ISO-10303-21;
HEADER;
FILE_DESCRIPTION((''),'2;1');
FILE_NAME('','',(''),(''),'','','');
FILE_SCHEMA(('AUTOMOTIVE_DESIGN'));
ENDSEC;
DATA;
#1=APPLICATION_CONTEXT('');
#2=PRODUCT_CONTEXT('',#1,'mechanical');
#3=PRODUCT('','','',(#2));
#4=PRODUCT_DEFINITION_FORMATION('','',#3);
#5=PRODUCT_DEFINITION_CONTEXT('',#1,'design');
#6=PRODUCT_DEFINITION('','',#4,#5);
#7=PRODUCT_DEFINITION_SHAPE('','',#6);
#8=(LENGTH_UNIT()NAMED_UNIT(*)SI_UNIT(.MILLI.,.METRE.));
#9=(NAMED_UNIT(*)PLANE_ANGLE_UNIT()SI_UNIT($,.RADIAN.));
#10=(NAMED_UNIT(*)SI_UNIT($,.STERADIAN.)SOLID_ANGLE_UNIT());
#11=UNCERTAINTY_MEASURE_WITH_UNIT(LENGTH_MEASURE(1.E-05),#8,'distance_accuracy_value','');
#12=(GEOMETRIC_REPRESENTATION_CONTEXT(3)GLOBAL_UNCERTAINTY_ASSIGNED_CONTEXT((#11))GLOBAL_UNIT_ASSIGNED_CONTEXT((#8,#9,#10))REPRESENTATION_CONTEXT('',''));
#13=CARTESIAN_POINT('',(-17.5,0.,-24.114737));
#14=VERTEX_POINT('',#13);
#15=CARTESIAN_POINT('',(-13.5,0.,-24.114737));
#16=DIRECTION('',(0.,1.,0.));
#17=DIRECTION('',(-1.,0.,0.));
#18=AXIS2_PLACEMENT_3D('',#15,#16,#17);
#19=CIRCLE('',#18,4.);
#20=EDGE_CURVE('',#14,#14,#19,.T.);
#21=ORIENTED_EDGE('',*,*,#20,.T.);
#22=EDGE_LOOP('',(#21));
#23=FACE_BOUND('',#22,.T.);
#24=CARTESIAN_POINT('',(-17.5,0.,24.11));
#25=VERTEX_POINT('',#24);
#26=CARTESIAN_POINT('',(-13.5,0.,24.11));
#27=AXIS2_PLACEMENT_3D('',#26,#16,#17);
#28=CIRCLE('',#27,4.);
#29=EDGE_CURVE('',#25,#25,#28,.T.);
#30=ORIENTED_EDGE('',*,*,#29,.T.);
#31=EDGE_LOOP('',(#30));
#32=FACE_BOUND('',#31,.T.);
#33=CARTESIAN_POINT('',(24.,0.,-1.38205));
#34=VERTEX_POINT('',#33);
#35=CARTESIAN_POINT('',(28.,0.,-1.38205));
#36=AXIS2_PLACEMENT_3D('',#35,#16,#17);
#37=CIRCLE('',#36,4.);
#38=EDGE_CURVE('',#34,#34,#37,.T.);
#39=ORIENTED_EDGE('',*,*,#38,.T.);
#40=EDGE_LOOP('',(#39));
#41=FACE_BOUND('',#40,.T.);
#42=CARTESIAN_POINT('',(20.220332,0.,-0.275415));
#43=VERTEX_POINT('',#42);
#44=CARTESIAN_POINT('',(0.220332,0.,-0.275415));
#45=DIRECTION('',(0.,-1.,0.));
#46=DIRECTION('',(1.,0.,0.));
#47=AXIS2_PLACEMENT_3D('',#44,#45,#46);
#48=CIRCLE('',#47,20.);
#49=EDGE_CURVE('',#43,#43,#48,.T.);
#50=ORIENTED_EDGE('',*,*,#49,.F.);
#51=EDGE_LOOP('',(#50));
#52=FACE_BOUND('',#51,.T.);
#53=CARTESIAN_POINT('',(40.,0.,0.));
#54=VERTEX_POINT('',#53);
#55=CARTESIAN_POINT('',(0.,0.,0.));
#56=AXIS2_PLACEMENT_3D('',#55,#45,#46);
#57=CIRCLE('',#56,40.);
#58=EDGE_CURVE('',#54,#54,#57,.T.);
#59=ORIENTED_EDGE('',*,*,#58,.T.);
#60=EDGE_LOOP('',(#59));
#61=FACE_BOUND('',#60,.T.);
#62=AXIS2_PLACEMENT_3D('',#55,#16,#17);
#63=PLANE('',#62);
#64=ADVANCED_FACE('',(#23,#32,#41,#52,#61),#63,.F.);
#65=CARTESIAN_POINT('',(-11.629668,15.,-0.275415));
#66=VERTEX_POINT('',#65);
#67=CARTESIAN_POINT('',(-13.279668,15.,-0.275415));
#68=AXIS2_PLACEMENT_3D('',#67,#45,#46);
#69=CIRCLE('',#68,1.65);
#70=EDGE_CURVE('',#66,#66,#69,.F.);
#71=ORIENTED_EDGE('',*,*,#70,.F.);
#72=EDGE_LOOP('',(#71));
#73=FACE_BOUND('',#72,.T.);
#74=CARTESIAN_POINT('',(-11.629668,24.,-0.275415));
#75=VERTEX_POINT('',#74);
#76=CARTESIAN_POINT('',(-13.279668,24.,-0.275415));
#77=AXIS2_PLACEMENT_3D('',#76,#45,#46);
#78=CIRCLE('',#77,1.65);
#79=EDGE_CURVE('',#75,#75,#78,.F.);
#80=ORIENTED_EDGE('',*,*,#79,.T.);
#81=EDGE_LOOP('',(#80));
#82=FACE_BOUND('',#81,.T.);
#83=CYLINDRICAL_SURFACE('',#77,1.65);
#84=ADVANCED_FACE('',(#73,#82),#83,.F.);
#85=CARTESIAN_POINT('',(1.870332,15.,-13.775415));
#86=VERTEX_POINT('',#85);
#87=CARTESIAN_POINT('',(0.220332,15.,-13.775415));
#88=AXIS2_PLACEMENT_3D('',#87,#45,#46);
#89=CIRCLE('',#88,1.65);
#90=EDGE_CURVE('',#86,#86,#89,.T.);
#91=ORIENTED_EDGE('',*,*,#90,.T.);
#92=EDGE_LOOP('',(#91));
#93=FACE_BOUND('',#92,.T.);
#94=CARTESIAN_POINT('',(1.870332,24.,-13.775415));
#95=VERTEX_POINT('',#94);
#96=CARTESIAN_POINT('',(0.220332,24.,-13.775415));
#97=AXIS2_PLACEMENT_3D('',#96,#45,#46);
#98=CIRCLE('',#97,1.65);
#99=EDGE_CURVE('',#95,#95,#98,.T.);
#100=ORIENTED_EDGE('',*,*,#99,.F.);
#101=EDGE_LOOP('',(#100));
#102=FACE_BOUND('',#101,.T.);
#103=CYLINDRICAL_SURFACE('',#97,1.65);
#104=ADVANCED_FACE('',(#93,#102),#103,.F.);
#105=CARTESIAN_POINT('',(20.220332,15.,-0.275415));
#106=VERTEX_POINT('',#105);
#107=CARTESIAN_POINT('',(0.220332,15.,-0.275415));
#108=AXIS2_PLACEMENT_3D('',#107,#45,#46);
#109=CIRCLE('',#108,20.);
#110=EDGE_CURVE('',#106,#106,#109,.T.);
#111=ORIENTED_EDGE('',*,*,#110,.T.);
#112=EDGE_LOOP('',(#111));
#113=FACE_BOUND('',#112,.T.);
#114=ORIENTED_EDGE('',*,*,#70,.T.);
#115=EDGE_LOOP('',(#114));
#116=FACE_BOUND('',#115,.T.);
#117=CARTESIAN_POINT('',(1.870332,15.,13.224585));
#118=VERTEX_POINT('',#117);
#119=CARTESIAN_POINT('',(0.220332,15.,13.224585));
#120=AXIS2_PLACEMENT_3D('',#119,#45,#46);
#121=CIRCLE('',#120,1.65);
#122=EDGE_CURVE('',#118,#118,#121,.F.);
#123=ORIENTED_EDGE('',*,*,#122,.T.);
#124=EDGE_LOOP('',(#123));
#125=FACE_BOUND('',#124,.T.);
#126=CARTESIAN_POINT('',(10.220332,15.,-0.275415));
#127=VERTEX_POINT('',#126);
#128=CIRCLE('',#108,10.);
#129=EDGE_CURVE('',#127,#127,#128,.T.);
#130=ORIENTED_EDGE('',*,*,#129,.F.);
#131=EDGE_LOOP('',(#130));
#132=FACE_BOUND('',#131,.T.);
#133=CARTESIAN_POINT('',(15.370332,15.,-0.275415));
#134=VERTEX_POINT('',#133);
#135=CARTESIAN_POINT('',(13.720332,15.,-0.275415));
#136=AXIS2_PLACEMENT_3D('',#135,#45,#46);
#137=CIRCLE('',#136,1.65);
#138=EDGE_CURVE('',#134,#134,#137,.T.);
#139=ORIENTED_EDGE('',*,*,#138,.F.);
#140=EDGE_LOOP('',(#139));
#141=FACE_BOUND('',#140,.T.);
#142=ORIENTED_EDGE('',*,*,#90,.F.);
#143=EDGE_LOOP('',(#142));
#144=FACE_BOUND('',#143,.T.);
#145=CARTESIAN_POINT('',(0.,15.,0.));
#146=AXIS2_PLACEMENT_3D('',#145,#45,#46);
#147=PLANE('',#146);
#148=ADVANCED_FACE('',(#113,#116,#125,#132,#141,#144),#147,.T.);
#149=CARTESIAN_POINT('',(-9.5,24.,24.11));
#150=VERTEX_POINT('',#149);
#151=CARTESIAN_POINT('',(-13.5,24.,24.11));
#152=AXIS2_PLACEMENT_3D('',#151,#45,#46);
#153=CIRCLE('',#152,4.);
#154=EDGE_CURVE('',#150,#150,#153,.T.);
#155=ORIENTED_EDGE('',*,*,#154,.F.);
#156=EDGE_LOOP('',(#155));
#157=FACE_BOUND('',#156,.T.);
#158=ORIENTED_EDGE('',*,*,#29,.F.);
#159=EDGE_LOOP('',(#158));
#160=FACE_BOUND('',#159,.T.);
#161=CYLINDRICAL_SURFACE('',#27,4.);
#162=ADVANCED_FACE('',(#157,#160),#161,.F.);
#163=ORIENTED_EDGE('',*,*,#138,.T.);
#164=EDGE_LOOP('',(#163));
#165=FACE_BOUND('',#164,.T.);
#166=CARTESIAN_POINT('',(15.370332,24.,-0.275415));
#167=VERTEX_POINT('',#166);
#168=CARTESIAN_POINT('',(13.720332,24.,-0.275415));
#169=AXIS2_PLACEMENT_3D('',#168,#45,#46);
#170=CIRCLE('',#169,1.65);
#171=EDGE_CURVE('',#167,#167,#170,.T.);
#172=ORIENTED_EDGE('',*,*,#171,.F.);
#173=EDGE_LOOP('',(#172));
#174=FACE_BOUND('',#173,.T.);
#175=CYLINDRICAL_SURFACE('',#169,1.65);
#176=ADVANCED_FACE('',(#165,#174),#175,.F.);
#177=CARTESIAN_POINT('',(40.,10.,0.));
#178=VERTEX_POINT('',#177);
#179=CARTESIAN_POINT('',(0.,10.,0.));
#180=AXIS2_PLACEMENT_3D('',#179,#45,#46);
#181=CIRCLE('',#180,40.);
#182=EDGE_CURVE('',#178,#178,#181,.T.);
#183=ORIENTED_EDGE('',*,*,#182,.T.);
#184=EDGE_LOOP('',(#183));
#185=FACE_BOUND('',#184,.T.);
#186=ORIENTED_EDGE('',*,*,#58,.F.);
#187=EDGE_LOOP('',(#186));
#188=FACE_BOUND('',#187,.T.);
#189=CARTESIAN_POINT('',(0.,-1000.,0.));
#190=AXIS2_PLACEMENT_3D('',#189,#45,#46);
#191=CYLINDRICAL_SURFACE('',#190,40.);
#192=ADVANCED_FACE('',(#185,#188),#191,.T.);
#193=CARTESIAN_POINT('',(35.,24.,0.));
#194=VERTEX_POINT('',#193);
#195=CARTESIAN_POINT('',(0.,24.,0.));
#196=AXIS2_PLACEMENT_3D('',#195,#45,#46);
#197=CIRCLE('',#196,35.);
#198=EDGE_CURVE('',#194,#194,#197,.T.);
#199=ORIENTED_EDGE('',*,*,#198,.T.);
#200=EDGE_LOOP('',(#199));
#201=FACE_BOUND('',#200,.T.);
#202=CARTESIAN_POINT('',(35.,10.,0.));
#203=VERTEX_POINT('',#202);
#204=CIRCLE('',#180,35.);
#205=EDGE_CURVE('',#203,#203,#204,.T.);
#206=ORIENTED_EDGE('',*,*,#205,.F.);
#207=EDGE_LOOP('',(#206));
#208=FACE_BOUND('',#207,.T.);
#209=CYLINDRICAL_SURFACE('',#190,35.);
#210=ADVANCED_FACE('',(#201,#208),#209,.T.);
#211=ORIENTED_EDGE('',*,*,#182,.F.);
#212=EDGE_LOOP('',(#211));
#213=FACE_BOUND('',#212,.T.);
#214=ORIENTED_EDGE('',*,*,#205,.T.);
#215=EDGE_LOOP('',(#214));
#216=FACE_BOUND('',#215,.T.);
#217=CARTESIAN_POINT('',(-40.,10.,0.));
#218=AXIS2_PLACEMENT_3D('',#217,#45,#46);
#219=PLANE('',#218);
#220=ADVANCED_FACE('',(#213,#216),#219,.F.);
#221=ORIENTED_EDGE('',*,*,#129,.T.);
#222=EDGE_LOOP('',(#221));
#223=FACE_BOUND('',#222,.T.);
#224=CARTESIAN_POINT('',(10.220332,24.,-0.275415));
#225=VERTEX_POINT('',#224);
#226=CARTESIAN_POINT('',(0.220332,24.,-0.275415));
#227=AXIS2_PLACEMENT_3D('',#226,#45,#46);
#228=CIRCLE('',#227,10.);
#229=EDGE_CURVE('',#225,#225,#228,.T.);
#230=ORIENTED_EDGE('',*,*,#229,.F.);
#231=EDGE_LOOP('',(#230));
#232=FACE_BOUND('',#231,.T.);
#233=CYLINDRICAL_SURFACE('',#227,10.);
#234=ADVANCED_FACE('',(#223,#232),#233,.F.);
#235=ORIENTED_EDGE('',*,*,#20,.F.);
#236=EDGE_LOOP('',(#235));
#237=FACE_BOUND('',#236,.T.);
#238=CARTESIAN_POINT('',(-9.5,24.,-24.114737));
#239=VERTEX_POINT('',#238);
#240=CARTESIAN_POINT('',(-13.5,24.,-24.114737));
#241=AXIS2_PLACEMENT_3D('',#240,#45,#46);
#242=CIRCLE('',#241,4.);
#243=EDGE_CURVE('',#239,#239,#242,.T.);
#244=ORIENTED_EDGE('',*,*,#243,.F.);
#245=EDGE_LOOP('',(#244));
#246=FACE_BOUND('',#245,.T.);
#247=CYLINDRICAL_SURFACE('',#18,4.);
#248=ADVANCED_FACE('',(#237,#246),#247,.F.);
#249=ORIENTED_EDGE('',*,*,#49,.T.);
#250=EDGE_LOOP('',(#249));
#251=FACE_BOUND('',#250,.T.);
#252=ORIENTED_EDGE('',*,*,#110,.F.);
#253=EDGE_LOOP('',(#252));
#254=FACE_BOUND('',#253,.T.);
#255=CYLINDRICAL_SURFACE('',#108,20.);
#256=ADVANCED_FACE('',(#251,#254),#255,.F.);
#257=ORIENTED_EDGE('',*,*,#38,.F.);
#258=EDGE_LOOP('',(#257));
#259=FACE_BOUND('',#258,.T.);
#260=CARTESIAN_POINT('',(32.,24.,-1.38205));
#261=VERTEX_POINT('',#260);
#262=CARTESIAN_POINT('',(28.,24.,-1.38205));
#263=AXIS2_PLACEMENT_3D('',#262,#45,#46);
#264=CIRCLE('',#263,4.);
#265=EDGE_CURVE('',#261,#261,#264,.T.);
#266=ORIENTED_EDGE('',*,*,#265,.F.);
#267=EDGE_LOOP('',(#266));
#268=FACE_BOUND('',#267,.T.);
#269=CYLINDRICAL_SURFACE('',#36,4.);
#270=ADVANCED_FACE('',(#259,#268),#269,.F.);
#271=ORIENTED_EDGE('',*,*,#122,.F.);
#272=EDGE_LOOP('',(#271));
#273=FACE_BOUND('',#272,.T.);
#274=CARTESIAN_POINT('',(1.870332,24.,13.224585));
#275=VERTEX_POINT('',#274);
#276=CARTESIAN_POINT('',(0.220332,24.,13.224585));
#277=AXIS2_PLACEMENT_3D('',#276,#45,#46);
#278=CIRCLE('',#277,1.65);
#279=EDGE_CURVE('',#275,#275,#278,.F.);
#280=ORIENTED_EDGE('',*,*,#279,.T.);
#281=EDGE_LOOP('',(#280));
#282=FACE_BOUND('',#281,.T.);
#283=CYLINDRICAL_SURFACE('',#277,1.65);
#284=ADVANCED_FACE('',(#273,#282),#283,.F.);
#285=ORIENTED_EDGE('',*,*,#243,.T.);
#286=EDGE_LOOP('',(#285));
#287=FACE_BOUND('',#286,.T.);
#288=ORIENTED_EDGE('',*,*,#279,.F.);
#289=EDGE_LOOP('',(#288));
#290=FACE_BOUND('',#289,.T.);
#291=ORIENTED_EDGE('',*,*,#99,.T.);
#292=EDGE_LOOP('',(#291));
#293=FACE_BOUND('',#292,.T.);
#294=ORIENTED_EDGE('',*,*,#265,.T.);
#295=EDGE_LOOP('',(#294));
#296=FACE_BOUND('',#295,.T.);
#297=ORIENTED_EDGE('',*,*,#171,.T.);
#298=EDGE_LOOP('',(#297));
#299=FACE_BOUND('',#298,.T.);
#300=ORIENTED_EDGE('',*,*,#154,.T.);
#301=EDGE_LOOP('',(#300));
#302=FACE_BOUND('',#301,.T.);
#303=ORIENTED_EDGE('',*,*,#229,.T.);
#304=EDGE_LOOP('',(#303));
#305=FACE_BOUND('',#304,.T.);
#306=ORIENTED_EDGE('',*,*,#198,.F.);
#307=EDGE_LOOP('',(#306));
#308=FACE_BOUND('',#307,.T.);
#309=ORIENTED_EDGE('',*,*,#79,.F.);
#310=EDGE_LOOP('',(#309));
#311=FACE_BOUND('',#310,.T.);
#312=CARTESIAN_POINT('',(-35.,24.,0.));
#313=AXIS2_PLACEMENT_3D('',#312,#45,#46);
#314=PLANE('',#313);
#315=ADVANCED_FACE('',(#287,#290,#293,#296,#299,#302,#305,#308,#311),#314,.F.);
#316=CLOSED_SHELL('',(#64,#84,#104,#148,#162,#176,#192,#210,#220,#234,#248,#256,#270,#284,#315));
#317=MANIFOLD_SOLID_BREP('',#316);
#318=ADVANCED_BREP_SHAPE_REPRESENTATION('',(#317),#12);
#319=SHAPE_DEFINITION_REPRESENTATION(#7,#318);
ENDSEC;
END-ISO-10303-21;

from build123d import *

# Parameters (mm, degrees)
SKETCH2_R               = 10
SKETCH2_R_2             = 1.65
CUT_EXTRUDE2_DEPTH      = 1
CUT_EXTRUDE2_DEPTH_BACK = 25
SKETCH2_5_R             = 20
SKETCH2_5_R_2           = 1.65
SKETCH2_5_R_3           = 10
CUT_EXTRUDE3_DEPTH      = 15
SKETCH3_R               = 4
CUT_EXTRUDE4_DEPTH      = 1
CUT_EXTRUDE4_DEPTH_BACK = 25


with BuildPart() as part:
    # Sketch1 → Revolve1 (revolve)
    with BuildSketch(Plane.XY):
        Polygon((-40, 10), (-35, 10), (-35, 24), (0, 24), (0, 0), (-40, 0), align=None)
    revolve(axis=Axis((0, -1000, 0), (0, 1, 0)))

    # Sketch2 → Cut-Extrude2 (cut, two sides)
    with BuildSketch(Plane.XZ) as cut_extrude2_sk:
        with Locations((0.220332098, -0.275415123)):
            Circle(SKETCH2_R)
        with Locations((13.720332098, -0.275415123)):
            Circle(SKETCH2_R_2)
        with Locations((0.220332098, -13.775415123)):
            Circle(SKETCH2_R_2)
        with Locations((-13.279667902, -0.275415123)):
            Circle(SKETCH2_R_2)
        with Locations((0.220332098, 13.224584877)):
            Circle(SKETCH2_R_2)
    extrude(amount=CUT_EXTRUDE2_DEPTH, mode=Mode.SUBTRACT)
    extrude(cut_extrude2_sk.sketch, amount=-CUT_EXTRUDE2_DEPTH_BACK, mode=Mode.SUBTRACT)

    # Sketch2<5> → Cut-Extrude3 (cut)
    with BuildSketch(Plane.XZ):
        with Locations((0.220332098, -0.275415123)):
            Circle(SKETCH2_5_R)
        with Locations((0.220332098, -13.775415123)):
            Circle(SKETCH2_5_R_2, mode=Mode.SUBTRACT)
        with Locations((13.720332098, -0.275415123)):
            Circle(SKETCH2_5_R_2, mode=Mode.SUBTRACT)
        with Locations((0.220332098, -0.275415123)):
            Circle(SKETCH2_5_R_3, mode=Mode.SUBTRACT)
        with Locations((-13.279667902, -0.275415123)):
            Circle(SKETCH2_5_R_2, mode=Mode.SUBTRACT)
        with Locations((0.220332098, 13.224584877)):
            Circle(SKETCH2_5_R_2, mode=Mode.SUBTRACT)
    extrude(amount=-CUT_EXTRUDE3_DEPTH, mode=Mode.SUBTRACT)

    # Sketch3 → Cut-Extrude4 (cut, two sides)
    with BuildSketch(Plane(origin=(0, 24, 0), x_dir=(1, 0, 0), z_dir=(0, 1, 0))) as cut_extrude4_sk:
        with Locations((28, 1.382050236)):
            Circle(SKETCH3_R)
        with Locations((-13.5, -24.11)):
            Circle(SKETCH3_R)
        with Locations((-13.5, 24.11473671)):
            Circle(SKETCH3_R)
    extrude(amount=CUT_EXTRUDE4_DEPTH, mode=Mode.SUBTRACT)
    extrude(cut_extrude4_sk.sketch, amount=-CUT_EXTRUDE4_DEPTH_BACK, mode=Mode.SUBTRACT)


solid = part.part
